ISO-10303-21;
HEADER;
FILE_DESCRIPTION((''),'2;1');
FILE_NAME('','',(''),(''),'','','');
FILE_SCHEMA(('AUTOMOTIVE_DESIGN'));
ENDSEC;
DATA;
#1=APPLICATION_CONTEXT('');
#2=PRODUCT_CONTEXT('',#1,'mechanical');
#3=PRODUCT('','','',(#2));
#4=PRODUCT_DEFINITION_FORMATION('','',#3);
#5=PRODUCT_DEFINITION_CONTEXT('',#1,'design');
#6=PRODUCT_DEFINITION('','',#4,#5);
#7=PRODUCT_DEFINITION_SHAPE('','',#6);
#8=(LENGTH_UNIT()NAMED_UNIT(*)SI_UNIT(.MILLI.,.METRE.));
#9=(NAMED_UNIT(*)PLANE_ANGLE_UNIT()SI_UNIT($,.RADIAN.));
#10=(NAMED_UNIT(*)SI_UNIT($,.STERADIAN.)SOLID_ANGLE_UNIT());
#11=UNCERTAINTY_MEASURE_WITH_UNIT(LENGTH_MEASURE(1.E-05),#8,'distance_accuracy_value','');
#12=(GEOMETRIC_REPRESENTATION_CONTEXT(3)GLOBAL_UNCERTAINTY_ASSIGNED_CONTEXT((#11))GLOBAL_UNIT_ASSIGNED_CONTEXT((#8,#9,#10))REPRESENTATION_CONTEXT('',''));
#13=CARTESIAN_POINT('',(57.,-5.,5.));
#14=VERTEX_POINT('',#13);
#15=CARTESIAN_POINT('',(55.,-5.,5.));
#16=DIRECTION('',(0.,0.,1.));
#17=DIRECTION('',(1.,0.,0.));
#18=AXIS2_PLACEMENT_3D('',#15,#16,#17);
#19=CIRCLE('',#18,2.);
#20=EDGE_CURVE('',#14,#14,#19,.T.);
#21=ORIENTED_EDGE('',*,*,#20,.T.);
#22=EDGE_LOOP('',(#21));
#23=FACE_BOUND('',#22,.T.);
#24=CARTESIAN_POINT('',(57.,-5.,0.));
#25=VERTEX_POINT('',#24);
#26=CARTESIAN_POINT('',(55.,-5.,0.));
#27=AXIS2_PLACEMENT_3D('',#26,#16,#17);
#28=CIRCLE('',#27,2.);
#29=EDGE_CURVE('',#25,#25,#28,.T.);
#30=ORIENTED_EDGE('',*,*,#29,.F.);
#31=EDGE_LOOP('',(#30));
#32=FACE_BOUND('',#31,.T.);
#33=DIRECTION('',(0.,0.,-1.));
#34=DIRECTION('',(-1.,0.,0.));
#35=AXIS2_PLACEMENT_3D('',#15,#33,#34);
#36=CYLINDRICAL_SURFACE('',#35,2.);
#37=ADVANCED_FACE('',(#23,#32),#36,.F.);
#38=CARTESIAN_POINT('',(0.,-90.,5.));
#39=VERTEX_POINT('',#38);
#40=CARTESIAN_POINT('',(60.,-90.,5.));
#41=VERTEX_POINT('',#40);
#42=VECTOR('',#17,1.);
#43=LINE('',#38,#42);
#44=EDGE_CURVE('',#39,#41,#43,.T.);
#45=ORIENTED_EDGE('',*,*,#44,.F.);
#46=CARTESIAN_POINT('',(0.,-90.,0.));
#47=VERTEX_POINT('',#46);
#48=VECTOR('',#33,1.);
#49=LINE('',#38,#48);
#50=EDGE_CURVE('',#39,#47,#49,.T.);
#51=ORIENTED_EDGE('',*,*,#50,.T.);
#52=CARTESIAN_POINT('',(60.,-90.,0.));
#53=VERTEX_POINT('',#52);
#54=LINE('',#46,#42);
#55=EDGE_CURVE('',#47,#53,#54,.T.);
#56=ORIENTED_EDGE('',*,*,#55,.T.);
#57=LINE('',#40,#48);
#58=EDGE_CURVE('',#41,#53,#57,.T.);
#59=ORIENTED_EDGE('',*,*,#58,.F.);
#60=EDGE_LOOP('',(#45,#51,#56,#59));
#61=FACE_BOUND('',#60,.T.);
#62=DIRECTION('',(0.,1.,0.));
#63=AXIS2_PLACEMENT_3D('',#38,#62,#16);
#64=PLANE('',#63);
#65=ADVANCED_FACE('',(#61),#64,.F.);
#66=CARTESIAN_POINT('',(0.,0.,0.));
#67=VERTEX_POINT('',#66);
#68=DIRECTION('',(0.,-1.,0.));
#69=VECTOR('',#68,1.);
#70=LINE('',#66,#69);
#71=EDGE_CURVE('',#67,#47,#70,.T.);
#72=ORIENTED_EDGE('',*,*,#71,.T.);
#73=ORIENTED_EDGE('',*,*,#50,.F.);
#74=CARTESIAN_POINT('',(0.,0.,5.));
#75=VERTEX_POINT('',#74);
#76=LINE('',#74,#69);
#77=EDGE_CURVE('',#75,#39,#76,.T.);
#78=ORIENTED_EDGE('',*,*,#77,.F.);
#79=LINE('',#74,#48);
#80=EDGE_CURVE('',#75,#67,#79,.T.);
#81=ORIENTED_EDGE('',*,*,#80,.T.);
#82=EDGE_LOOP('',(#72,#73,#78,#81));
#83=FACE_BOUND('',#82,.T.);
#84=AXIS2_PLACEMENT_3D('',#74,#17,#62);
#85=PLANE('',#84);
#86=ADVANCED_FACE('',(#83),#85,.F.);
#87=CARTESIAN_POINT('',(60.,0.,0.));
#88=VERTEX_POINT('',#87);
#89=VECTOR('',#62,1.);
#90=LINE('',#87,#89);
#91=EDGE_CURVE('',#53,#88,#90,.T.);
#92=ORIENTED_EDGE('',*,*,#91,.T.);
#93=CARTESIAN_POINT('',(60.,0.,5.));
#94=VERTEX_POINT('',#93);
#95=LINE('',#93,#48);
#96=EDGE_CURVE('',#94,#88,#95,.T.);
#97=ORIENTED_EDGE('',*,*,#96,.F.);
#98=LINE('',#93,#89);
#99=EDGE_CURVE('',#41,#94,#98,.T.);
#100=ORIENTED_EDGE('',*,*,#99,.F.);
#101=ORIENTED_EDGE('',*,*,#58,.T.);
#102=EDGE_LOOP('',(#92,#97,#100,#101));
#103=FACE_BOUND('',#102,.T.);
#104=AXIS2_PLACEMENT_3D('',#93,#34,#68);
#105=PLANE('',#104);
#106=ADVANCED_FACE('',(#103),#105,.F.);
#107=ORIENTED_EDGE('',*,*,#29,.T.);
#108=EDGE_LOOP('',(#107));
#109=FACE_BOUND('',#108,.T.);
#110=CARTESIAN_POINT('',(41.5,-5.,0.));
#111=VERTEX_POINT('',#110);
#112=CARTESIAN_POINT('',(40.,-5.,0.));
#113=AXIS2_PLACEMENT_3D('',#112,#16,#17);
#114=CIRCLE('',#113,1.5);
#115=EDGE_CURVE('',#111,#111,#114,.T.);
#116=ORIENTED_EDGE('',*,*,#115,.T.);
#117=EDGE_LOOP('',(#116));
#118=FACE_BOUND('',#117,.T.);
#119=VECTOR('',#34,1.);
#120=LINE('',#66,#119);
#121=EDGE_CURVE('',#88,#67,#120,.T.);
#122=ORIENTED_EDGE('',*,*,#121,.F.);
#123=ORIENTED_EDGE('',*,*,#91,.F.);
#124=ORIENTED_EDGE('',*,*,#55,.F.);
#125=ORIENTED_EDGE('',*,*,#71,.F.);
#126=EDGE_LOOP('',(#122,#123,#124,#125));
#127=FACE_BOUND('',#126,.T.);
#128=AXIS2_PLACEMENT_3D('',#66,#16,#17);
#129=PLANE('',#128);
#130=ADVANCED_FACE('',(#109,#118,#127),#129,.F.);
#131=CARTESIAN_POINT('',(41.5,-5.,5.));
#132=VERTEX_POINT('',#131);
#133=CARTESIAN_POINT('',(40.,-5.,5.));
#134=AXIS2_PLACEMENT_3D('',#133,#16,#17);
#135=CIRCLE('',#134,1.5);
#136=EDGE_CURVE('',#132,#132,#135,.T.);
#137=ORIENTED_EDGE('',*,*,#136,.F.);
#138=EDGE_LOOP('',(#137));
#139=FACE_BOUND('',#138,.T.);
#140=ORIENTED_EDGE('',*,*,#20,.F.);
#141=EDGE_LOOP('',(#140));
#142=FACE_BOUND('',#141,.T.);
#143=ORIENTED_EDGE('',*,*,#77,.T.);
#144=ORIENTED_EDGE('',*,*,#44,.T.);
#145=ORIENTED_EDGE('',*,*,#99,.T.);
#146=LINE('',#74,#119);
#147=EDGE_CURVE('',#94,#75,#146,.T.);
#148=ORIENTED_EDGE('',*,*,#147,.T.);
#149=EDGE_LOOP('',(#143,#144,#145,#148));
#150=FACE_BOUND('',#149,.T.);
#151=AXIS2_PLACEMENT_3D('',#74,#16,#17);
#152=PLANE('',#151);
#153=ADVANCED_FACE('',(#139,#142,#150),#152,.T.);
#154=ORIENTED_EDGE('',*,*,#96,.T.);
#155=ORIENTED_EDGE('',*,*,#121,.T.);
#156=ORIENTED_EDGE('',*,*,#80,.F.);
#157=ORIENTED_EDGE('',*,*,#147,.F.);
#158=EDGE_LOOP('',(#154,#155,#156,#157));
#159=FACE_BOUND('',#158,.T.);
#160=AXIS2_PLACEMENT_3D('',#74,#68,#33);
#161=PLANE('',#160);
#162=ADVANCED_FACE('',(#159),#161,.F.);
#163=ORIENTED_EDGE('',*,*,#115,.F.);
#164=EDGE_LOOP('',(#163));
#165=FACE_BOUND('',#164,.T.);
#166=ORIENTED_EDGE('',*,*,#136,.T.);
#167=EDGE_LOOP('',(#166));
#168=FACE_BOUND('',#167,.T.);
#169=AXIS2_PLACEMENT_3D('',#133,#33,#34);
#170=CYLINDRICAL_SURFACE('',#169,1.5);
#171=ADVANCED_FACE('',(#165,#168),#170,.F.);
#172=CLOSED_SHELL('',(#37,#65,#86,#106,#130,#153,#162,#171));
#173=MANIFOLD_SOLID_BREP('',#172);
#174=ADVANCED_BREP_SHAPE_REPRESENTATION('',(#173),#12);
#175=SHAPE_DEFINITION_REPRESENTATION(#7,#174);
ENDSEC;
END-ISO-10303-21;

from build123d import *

# Parameters (mm, degrees)
ESQUISSE1_W        = 60
ESQUISSE1_H        = 90
ESQUISSE1_R        = 2
ESQUISSE1_R_2      = 1.5
BOSS_EXTRU_1_DEPTH = 5


with BuildPart() as part:
    # Esquisse1 → Boss.-Extru.1 (new body)
    with BuildSketch(Plane.XY):
        with Locations((30, -45)):
            Rectangle(ESQUISSE1_W, ESQUISSE1_H)
        with Locations((55, -5)):
            Circle(ESQUISSE1_R, mode=Mode.SUBTRACT)
        with Locations((40, -5)):
            Circle(ESQUISSE1_R_2, mode=Mode.SUBTRACT)
    extrude(amount=BOSS_EXTRU_1_DEPTH)


solid = part.part
